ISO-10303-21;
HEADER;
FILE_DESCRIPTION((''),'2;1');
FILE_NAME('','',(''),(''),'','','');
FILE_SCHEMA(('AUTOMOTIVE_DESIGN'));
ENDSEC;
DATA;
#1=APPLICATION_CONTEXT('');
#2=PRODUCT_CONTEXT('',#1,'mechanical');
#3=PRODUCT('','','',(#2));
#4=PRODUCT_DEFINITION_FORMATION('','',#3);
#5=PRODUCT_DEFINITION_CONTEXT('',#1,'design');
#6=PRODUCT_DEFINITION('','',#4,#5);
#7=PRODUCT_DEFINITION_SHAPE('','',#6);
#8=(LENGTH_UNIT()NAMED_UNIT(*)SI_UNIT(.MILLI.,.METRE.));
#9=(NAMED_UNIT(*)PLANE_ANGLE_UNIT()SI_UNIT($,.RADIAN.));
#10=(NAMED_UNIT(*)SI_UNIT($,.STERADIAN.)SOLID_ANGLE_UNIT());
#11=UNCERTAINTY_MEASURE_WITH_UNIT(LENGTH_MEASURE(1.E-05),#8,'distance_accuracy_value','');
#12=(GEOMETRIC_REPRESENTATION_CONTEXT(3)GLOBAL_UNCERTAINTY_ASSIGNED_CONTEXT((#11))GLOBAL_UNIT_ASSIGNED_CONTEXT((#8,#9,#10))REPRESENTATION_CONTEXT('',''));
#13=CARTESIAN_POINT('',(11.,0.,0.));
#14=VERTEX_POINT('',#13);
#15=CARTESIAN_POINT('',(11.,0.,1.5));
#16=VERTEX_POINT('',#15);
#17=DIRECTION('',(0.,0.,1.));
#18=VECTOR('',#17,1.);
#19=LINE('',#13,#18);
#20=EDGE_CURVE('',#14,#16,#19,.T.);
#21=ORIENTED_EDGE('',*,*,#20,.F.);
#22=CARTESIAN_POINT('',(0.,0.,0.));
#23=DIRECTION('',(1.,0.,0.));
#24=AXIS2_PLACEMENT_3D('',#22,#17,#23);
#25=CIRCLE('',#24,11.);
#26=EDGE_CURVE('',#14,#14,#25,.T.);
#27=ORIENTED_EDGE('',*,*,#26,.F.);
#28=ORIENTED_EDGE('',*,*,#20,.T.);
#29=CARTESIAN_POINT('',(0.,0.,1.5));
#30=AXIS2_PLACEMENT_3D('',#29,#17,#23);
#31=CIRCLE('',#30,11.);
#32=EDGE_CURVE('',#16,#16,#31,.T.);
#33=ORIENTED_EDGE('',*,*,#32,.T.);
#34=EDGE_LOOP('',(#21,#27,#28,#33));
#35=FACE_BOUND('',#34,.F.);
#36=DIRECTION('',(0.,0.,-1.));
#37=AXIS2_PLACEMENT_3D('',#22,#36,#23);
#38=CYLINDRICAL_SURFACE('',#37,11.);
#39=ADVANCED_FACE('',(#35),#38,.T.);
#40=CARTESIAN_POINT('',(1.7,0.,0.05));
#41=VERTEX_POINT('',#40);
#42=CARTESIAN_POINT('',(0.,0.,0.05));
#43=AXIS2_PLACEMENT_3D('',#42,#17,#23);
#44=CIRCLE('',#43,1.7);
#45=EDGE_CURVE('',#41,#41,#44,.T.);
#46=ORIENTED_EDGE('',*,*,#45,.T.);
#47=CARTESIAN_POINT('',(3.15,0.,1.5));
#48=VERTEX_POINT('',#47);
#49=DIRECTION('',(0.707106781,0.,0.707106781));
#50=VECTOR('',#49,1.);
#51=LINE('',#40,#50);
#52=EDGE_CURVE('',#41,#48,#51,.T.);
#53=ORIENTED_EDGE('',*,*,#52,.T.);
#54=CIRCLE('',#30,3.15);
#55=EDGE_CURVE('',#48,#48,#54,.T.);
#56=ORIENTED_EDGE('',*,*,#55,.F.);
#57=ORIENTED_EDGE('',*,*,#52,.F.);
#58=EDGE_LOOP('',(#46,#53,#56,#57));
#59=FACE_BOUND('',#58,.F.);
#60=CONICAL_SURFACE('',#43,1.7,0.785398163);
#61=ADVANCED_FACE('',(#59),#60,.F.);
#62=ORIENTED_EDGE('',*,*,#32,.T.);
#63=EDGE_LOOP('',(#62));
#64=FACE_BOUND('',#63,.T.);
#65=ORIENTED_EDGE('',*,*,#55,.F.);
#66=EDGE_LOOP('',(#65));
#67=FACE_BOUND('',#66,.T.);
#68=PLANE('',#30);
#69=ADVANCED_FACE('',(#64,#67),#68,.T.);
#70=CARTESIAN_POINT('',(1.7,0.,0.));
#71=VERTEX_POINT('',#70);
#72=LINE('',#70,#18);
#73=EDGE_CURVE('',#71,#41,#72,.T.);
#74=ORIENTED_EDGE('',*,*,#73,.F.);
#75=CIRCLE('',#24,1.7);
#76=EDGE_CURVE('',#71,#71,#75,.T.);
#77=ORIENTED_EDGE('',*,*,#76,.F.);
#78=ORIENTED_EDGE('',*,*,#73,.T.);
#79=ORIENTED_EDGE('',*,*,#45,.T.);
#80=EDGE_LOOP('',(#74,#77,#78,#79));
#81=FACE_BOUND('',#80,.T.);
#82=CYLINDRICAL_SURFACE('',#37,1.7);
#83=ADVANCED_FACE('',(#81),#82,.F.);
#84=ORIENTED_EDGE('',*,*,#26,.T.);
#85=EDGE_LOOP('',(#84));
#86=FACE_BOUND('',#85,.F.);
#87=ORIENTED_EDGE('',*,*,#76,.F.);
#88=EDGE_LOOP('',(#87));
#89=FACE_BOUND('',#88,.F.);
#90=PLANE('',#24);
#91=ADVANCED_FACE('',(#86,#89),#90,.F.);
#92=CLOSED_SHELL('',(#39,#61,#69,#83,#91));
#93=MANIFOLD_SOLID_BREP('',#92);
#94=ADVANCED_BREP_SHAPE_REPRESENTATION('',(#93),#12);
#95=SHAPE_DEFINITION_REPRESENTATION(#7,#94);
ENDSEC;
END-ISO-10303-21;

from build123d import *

# Parameters (mm, degrees)
SKETCH_R     = 11
SKETCH_R_2   = 1.7
PAD_DEPTH    = 1.5
CHAMFER_SIZE = 1.45


with BuildPart() as part:
    # Sketch → Pad (new body)
    with BuildSketch(Plane.XY):
        Circle(SKETCH_R)
        Circle(SKETCH_R_2, mode=Mode.SUBTRACT)
    extrude(amount=PAD_DEPTH)

    # Chamfer
    chamfer_edges = [part.edges().sort_by_distance(p)[0] for p in [
        (-1.7, 0, 1.5),
    ]]
    chamfer(chamfer_edges, length=CHAMFER_SIZE)


solid = part.part
